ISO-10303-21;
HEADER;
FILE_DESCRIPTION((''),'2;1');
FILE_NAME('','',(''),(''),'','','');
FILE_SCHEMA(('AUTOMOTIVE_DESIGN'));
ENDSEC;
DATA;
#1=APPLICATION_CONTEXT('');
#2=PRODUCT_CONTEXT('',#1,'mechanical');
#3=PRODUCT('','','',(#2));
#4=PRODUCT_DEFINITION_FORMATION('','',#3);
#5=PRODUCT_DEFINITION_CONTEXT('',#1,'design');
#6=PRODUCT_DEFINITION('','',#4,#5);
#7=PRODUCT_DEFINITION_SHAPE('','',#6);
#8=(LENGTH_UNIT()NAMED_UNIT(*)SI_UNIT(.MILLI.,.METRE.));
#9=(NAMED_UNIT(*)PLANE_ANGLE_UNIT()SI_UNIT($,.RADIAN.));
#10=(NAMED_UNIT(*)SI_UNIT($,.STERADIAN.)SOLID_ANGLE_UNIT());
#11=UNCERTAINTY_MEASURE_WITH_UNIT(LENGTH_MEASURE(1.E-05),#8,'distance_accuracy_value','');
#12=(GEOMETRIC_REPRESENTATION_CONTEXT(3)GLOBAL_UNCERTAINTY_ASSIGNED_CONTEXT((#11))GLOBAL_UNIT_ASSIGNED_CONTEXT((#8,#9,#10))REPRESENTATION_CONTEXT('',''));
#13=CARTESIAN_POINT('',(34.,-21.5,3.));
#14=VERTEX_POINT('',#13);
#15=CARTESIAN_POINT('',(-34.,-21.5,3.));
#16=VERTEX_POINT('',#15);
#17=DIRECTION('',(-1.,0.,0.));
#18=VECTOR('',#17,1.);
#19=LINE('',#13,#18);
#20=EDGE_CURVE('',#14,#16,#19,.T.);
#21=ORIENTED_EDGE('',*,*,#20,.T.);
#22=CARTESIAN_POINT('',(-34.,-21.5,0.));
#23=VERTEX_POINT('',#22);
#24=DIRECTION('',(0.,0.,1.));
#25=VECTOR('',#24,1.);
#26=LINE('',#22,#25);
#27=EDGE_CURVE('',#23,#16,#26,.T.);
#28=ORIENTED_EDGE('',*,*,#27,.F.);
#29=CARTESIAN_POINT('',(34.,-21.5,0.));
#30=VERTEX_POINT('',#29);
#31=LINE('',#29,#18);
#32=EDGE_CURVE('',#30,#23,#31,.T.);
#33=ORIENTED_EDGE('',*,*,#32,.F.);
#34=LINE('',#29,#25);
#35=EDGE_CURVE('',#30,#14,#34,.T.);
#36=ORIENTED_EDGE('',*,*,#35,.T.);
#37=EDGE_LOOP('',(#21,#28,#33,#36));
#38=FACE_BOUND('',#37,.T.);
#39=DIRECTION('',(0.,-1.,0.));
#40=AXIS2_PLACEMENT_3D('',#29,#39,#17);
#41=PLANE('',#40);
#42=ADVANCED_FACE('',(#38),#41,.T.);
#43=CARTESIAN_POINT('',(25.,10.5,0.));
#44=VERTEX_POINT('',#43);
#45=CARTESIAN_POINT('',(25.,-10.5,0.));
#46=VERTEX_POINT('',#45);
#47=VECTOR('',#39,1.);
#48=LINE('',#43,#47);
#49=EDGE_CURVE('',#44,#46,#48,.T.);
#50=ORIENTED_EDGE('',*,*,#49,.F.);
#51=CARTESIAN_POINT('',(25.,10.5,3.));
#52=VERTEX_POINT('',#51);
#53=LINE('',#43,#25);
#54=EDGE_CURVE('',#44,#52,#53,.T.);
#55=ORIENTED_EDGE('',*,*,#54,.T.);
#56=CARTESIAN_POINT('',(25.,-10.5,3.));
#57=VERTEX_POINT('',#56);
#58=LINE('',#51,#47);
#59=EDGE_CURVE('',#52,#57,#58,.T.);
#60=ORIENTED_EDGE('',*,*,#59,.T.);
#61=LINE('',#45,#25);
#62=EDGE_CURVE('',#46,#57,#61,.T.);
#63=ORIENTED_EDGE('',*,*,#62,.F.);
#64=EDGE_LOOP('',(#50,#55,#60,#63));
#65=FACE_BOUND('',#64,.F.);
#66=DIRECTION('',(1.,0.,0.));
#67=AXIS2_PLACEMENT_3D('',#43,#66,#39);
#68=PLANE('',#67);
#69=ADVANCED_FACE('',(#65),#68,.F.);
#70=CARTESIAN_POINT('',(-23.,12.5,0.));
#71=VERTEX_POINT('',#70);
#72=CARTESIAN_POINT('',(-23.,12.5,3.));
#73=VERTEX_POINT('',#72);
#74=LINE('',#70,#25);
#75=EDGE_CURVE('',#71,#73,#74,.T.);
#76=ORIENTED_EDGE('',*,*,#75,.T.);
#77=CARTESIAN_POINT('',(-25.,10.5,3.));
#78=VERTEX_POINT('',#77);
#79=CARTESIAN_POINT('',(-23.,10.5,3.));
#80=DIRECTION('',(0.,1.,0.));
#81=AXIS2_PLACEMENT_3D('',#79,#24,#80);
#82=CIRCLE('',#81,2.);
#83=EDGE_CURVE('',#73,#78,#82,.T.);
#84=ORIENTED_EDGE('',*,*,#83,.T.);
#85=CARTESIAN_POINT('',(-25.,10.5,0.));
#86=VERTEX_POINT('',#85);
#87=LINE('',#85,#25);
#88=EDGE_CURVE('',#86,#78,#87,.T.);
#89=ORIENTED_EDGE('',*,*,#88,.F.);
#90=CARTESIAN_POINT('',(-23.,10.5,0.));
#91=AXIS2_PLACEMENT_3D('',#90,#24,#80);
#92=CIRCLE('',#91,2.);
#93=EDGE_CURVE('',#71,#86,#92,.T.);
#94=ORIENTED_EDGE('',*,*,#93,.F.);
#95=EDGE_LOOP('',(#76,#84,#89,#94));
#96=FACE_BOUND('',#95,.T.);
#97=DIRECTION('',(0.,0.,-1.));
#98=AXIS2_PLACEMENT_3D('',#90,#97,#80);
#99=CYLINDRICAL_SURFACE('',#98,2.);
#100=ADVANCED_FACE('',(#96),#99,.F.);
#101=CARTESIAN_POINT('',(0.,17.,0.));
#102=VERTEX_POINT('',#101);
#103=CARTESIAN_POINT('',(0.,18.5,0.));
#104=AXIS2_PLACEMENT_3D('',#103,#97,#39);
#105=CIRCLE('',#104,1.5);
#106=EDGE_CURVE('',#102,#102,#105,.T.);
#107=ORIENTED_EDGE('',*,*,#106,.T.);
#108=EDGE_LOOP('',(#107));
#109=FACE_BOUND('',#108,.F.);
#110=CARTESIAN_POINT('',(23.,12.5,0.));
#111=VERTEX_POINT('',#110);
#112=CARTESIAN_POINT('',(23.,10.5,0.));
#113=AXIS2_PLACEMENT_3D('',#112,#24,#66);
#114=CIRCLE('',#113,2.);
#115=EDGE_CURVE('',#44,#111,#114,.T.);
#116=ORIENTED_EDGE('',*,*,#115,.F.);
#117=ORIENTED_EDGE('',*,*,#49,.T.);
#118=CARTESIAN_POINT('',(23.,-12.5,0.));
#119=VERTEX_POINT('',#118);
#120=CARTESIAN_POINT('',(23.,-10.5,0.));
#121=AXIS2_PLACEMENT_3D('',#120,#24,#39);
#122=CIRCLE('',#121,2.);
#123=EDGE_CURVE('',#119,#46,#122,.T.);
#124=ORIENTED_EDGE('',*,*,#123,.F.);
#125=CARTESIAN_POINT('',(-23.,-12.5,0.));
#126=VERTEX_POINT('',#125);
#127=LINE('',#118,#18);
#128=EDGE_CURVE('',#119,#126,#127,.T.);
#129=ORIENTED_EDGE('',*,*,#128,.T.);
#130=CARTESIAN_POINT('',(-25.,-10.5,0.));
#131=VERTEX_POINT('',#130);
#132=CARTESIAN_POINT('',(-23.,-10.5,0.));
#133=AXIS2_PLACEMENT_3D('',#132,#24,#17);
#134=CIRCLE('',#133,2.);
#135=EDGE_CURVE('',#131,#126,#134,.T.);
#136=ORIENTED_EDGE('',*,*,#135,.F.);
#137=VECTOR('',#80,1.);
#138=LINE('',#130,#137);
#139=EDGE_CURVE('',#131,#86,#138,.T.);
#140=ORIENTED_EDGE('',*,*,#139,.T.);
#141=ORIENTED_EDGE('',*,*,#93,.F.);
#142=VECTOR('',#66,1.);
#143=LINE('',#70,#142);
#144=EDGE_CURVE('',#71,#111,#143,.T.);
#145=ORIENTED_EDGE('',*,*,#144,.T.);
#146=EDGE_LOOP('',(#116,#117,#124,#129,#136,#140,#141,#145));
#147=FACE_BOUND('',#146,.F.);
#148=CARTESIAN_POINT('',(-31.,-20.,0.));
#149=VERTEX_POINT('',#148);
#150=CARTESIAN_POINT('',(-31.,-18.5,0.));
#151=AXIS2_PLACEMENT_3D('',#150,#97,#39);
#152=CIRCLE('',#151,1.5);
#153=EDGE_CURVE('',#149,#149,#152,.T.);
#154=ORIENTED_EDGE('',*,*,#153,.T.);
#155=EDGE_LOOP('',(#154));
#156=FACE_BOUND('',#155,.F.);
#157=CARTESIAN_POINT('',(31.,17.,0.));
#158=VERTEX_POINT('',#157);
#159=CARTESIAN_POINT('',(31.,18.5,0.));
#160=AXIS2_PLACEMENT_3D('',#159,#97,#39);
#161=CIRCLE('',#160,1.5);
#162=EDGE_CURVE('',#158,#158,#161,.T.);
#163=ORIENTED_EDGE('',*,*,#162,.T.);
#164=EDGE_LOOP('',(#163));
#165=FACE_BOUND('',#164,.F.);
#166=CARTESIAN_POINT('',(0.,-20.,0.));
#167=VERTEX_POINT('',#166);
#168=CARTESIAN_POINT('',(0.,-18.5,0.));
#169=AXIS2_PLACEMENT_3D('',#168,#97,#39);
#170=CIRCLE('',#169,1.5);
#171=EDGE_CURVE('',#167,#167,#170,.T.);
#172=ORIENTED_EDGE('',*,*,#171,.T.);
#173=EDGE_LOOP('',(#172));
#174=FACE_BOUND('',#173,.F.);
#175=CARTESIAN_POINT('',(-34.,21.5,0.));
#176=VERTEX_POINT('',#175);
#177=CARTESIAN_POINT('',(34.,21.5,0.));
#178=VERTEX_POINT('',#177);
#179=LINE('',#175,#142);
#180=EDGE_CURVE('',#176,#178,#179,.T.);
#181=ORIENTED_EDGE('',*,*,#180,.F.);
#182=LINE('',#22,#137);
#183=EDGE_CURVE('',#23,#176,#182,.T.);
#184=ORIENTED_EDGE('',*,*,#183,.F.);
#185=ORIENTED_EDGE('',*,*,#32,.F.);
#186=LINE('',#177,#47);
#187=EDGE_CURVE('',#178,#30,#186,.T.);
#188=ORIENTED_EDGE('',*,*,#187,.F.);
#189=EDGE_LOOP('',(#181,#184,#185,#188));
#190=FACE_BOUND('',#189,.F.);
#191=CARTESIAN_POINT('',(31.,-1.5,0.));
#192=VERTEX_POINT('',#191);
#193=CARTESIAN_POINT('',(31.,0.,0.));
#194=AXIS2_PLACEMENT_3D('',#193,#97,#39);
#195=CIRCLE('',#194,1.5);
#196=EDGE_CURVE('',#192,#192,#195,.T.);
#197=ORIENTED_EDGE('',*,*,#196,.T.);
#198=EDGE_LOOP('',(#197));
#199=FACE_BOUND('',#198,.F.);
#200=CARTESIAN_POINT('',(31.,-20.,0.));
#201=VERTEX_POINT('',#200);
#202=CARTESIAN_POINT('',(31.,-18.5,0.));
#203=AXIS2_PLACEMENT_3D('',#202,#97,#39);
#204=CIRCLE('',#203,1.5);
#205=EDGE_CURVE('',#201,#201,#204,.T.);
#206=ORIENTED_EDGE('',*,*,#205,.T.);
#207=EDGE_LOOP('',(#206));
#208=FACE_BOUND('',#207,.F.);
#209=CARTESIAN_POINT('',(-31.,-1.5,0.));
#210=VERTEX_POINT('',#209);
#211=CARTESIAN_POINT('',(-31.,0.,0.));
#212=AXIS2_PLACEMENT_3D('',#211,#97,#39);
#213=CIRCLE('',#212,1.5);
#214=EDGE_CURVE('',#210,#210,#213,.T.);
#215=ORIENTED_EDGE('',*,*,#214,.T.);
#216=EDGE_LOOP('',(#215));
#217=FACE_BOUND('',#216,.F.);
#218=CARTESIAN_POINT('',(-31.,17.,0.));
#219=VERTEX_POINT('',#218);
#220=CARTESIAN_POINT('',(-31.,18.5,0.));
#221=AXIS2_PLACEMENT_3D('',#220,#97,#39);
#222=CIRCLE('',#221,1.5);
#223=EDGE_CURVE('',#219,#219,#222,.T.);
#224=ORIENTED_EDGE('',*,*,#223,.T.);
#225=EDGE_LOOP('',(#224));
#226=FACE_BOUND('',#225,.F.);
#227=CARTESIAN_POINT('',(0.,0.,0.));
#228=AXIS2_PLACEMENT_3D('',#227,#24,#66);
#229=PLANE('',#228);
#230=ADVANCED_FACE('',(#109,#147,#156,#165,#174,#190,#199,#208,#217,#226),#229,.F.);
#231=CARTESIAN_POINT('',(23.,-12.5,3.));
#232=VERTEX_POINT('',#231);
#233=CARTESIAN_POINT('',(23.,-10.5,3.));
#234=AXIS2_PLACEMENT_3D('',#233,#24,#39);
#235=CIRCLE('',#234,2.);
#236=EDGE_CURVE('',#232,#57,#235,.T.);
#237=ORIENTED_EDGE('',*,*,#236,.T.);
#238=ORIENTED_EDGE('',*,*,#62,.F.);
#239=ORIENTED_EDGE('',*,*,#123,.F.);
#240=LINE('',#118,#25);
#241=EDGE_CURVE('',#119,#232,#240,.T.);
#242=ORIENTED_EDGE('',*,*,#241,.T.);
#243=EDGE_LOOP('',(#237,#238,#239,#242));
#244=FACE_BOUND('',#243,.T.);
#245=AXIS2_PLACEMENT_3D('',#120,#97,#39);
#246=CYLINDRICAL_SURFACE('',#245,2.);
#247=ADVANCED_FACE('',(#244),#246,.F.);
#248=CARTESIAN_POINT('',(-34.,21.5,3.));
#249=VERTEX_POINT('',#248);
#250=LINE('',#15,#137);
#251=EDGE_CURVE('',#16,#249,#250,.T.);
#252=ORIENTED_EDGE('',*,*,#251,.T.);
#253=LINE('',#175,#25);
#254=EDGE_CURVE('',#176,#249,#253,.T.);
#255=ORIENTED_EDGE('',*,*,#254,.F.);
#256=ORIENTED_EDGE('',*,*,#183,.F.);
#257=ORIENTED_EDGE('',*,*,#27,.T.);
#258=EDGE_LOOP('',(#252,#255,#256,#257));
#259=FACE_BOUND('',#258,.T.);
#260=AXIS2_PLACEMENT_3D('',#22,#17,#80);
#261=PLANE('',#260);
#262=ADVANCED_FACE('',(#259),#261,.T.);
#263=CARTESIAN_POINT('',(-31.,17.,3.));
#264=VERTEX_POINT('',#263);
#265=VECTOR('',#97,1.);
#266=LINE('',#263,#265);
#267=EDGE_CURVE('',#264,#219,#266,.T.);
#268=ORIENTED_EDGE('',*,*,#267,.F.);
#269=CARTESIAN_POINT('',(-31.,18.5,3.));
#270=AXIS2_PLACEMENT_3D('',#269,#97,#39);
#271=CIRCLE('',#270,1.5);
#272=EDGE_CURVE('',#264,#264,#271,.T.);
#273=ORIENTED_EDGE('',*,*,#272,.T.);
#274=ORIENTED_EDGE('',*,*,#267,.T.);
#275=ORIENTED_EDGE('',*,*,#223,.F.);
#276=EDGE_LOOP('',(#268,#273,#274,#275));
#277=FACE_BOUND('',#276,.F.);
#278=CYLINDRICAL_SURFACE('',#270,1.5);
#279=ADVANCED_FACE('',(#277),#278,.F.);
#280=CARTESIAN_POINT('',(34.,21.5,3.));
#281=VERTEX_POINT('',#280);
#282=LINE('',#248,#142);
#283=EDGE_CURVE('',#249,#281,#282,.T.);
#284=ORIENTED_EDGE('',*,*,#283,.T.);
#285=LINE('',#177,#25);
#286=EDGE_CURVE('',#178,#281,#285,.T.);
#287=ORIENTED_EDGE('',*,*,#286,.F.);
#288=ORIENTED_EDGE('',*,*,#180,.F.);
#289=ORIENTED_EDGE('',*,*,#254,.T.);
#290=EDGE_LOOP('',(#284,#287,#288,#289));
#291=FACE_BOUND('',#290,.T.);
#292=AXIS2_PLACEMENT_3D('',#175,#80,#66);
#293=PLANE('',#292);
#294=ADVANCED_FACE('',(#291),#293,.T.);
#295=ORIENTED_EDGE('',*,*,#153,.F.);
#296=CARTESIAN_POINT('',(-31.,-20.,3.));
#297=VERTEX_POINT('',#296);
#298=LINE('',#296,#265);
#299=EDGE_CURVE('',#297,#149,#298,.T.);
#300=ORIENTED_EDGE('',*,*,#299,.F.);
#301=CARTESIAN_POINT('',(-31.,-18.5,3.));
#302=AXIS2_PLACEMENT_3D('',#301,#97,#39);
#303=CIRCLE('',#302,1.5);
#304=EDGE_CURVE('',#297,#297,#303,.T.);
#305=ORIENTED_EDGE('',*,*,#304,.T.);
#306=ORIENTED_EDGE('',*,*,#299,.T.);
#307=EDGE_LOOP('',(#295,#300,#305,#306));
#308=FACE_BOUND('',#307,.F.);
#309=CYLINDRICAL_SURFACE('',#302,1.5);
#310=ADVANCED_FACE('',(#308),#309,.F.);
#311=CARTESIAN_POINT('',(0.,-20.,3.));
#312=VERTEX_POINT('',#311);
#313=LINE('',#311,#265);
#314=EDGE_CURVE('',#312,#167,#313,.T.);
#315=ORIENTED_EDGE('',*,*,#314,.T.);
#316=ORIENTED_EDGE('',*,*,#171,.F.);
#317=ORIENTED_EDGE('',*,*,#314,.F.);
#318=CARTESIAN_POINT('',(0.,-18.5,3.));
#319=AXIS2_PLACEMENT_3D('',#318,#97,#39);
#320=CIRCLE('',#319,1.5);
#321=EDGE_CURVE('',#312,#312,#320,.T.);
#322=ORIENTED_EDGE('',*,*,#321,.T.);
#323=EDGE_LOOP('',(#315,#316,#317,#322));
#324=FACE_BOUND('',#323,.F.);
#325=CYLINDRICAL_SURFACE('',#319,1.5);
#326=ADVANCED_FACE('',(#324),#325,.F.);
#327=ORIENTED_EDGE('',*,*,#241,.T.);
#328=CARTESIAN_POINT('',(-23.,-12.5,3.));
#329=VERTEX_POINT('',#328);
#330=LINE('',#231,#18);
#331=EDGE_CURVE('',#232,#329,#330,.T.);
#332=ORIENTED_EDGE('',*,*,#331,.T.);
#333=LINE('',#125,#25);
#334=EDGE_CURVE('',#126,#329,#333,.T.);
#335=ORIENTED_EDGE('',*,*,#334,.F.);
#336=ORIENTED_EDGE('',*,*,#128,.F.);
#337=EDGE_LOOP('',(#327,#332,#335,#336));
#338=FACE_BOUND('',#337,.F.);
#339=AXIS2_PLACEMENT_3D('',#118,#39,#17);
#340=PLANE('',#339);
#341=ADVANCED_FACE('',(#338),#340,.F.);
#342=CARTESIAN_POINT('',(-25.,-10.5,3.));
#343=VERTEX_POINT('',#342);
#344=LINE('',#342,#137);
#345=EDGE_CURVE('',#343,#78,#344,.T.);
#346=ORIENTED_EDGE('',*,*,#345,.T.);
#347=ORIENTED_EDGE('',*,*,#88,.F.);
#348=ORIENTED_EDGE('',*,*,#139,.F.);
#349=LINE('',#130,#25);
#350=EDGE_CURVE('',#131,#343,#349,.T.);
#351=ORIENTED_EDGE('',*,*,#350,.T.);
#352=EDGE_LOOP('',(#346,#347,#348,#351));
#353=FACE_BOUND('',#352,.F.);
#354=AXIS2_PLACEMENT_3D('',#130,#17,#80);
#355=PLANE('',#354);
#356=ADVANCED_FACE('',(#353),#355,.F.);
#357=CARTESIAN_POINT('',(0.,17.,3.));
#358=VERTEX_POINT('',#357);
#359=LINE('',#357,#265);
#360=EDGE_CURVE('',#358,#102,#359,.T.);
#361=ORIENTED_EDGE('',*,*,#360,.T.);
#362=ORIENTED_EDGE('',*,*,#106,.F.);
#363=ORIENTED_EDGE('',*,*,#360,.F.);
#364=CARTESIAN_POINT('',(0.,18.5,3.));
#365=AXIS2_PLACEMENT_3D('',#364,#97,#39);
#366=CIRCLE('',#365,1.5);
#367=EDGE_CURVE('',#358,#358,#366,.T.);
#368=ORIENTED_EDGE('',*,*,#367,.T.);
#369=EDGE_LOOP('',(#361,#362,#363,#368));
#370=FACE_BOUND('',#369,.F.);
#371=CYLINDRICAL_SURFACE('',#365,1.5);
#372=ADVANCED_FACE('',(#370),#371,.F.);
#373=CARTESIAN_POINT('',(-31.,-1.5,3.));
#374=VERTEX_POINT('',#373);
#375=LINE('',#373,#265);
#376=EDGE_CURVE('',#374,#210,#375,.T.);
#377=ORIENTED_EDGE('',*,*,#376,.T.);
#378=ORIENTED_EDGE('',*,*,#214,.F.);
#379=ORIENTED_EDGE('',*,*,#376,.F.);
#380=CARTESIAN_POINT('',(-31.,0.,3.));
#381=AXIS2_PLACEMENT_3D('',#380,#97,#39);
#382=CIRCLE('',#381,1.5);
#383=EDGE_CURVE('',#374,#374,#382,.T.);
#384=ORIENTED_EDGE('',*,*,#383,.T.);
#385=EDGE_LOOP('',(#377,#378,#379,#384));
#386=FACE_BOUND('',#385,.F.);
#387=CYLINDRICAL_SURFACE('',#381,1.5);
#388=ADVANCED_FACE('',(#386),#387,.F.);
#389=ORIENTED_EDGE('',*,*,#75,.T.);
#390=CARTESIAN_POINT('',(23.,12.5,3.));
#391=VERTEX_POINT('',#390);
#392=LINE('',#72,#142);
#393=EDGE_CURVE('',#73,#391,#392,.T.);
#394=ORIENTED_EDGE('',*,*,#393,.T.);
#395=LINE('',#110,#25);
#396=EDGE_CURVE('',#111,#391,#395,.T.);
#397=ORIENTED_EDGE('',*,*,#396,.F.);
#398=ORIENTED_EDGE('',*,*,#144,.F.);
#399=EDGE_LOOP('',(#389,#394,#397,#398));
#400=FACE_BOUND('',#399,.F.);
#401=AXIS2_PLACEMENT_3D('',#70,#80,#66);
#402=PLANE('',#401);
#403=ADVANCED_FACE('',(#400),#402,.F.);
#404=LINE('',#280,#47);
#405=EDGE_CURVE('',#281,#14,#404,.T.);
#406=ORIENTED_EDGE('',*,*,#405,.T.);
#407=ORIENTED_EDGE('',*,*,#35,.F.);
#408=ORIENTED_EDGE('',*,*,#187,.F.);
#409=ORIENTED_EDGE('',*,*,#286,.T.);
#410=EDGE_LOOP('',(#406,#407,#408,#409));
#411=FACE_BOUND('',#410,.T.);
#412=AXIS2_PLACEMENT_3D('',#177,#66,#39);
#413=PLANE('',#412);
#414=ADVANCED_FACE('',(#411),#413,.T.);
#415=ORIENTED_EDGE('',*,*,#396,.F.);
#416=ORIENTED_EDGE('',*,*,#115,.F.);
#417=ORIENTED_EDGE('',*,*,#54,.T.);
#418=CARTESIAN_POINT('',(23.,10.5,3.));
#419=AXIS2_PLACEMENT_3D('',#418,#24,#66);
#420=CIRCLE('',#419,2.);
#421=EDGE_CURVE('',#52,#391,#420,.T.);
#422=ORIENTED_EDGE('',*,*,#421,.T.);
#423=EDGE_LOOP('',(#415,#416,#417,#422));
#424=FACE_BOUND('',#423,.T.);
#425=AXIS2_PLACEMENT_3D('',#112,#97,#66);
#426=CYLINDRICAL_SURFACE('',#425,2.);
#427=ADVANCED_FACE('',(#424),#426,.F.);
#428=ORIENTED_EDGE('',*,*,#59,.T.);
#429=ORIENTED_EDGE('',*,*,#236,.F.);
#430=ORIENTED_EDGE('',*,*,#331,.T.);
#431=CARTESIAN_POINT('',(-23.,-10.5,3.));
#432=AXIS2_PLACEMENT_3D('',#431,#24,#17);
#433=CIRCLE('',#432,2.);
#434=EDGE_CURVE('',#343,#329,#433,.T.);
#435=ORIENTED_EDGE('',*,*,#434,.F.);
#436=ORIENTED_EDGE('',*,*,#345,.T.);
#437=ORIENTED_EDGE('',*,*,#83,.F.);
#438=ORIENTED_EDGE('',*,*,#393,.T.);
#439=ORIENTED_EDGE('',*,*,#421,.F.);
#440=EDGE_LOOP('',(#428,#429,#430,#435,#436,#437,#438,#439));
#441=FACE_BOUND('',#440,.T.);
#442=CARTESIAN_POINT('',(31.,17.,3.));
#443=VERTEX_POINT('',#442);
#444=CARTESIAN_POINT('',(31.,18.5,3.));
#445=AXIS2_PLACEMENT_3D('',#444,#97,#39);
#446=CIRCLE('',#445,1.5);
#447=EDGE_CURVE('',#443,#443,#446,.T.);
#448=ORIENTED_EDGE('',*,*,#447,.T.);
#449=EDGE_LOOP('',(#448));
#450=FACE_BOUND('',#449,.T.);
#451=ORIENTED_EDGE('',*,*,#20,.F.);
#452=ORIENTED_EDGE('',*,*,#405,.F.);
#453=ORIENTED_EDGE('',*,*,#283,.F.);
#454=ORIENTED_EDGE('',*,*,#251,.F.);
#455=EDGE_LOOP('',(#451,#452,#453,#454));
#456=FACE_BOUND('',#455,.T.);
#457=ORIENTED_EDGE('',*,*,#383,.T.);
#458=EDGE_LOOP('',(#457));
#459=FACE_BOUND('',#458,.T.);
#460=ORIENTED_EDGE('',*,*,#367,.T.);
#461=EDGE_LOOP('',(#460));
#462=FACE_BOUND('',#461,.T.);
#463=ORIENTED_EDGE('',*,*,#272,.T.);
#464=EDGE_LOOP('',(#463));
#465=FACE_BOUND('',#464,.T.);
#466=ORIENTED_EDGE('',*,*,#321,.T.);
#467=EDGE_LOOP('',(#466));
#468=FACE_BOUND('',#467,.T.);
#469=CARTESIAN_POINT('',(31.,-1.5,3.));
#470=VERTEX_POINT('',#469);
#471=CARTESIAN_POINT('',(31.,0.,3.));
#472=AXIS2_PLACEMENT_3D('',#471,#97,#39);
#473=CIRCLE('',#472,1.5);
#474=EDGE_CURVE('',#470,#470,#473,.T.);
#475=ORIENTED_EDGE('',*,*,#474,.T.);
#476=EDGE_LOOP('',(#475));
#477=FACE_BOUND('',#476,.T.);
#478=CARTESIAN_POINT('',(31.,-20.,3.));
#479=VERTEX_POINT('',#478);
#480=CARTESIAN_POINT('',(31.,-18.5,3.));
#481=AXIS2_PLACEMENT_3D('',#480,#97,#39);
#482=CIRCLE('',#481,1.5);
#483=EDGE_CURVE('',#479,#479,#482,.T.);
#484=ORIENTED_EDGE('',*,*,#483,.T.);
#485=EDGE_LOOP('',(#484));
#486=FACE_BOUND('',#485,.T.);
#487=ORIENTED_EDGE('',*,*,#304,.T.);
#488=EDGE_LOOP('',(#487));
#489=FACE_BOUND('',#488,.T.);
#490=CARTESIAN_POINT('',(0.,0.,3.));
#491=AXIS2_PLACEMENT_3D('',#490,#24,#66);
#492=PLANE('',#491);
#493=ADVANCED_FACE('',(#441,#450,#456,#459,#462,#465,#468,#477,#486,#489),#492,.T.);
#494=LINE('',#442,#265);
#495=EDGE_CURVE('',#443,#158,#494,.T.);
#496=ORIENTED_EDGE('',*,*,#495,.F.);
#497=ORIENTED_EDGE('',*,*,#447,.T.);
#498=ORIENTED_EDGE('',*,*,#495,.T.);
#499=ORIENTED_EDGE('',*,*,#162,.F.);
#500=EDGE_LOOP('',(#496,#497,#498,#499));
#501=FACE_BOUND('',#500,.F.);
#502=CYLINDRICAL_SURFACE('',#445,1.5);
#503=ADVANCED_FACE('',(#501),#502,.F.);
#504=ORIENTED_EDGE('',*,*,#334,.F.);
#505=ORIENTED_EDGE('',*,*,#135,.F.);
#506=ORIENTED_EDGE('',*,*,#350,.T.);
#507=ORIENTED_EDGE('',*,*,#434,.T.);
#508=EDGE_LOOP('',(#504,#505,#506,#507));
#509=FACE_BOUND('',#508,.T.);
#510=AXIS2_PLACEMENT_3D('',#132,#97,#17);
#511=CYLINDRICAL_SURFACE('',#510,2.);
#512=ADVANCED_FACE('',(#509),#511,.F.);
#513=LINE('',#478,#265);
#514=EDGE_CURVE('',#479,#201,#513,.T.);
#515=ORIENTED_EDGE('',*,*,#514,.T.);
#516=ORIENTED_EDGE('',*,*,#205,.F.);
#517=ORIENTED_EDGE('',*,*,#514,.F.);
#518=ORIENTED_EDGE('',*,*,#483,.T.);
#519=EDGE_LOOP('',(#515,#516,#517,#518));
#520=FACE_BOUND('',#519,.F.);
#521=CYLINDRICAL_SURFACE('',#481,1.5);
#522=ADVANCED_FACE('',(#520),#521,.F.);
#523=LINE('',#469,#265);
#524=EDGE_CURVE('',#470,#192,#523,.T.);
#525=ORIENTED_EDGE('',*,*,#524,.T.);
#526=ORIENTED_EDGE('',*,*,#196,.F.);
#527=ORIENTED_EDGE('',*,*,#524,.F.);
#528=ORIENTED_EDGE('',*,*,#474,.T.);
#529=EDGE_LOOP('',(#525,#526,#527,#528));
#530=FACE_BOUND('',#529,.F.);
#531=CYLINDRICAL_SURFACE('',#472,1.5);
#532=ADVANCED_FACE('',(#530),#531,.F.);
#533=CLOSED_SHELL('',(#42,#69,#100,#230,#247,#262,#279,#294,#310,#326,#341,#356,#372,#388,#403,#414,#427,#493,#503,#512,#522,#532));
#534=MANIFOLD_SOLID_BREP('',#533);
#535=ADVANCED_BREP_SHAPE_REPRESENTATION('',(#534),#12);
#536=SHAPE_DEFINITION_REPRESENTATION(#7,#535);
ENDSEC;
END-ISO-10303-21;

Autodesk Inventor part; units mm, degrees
ref_plane "YZ Plane" through (0, 0, 0) normal (1, 0, 0) x (0, 1, 0)
ref_plane "XZ Plane" through (0, 0, 0) normal (0, 1, 0) x (-1, 0, 0)
ref_plane "XY Plane" through (0, 0, 0) normal (0, 0, 1) x (1, 0, 0)
sketch "Sketch2" plane through (0, 0, 0) normal (0, 0, 1) x (1, 0, 0)
  line L0 (34, -21.5) -> (-34, -21.5)
  line L1 (-34, -21.5) -> (-34, 21.5)
  line L2 (-34, 21.5) -> (34, 21.5)
  line L3 (34, 21.5) -> (34, -21.5)
  line L4 (34, -21.5) -> (-34, 21.5) construction
  line L5 (-34, -21.5) -> (34, 21.5) construction
  line L6 (23, -12.5) -> (-23, -12.5)
  line L7 (-25, -10.5) -> (-25, 10.5)
  line L8 (-23, 12.5) -> (23, 12.5)
  line L9 (25, 10.5) -> (25, -10.5)
  line L10 (25, -12.5) -> (-25, 12.5) construction
  line L11 (-25, -12.5) -> (25, 12.5) construction
  arc A0 (-23, 12.5) -> (-25, 10.5) centre (-23, 10.5) ccw
  arc A1 (-25, -10.5) -> (-23, -12.5) centre (-23, -10.5) ccw
  arc A2 (23, -12.5) -> (25, -10.5) centre (23, -10.5) ccw
  arc A3 (25, 10.5) -> (23, 12.5) centre (23, 10.5) ccw
  point P0 (0, 0)
  dimension "d0" = 68
  dimension "d1" = 43
  dimension "d4" = 9
  dimension "d5" = 9
  dimension "d6" = 2
extrude "Extrusion1" add sketch "Sketch2" along normal blind 3
sketch "Sketch3" plane through (0, 0, 3) normal (0, 0, 1) x (1, 0, 0)
  line L0 (-34, -21.5) -> (34, -21.5) construction
  line L1 (34, -21.5) -> (34, 21.5) construction
  line L2 (-34, 21.5) -> (-34, -21.5) construction
  line L3 (34, 21.5) -> (-34, 21.5) construction
  line L4 (-47.6, 0) -> (47.6, 0) construction
  line L5 (0, 30.1) -> (0, -30.1) construction
  line L6 (25, 10.5) -> (25, -10.5) construction
  line L7 (-23, 12.5) -> (23, 12.5) construction
  line L8 (-25, -10.5) -> (-25, 10.5) construction
  line L9 (23, -12.5) -> (-23, -12.5) construction
  point P0 (0, 0)
  point P1 (31, -18.5)
  point P2 (31, 0)
  point P3 (31, 18.5)
  point P4 (0, 18.5)
  point P5 (-31, 18.5)
  point P6 (-31, 0)
  point P7 (-31, -18.5)
  point P8 (0, -18.5)
  dimension "d26" = 6
  dimension "d27" = 6
  dimension "d28" = 6
  dimension "d29" = 6
  dimension "d30" = 6
  dimension "d31" = 6
  dimension "d32" = 6
  dimension "d33" = 6
  dimension "d34" = 6
  dimension "d35" = 6
  dimension "d36" = 6
  dimension "d37" = 6
hole "Hole1" at (31, -18.5, 3) at (31, 0, 3) at (31, 18.5, 3) at (0, 18.5, 3) at (-31, 18.5, 3) at (-31, 0, 3) at (-31, -18.5, 3) at (0, -18.5, 3) direction (0, 0, -1) diameter 3 depth 8.8 tip angle 118
properties part number "P021_HautEcranProtecLidar"
